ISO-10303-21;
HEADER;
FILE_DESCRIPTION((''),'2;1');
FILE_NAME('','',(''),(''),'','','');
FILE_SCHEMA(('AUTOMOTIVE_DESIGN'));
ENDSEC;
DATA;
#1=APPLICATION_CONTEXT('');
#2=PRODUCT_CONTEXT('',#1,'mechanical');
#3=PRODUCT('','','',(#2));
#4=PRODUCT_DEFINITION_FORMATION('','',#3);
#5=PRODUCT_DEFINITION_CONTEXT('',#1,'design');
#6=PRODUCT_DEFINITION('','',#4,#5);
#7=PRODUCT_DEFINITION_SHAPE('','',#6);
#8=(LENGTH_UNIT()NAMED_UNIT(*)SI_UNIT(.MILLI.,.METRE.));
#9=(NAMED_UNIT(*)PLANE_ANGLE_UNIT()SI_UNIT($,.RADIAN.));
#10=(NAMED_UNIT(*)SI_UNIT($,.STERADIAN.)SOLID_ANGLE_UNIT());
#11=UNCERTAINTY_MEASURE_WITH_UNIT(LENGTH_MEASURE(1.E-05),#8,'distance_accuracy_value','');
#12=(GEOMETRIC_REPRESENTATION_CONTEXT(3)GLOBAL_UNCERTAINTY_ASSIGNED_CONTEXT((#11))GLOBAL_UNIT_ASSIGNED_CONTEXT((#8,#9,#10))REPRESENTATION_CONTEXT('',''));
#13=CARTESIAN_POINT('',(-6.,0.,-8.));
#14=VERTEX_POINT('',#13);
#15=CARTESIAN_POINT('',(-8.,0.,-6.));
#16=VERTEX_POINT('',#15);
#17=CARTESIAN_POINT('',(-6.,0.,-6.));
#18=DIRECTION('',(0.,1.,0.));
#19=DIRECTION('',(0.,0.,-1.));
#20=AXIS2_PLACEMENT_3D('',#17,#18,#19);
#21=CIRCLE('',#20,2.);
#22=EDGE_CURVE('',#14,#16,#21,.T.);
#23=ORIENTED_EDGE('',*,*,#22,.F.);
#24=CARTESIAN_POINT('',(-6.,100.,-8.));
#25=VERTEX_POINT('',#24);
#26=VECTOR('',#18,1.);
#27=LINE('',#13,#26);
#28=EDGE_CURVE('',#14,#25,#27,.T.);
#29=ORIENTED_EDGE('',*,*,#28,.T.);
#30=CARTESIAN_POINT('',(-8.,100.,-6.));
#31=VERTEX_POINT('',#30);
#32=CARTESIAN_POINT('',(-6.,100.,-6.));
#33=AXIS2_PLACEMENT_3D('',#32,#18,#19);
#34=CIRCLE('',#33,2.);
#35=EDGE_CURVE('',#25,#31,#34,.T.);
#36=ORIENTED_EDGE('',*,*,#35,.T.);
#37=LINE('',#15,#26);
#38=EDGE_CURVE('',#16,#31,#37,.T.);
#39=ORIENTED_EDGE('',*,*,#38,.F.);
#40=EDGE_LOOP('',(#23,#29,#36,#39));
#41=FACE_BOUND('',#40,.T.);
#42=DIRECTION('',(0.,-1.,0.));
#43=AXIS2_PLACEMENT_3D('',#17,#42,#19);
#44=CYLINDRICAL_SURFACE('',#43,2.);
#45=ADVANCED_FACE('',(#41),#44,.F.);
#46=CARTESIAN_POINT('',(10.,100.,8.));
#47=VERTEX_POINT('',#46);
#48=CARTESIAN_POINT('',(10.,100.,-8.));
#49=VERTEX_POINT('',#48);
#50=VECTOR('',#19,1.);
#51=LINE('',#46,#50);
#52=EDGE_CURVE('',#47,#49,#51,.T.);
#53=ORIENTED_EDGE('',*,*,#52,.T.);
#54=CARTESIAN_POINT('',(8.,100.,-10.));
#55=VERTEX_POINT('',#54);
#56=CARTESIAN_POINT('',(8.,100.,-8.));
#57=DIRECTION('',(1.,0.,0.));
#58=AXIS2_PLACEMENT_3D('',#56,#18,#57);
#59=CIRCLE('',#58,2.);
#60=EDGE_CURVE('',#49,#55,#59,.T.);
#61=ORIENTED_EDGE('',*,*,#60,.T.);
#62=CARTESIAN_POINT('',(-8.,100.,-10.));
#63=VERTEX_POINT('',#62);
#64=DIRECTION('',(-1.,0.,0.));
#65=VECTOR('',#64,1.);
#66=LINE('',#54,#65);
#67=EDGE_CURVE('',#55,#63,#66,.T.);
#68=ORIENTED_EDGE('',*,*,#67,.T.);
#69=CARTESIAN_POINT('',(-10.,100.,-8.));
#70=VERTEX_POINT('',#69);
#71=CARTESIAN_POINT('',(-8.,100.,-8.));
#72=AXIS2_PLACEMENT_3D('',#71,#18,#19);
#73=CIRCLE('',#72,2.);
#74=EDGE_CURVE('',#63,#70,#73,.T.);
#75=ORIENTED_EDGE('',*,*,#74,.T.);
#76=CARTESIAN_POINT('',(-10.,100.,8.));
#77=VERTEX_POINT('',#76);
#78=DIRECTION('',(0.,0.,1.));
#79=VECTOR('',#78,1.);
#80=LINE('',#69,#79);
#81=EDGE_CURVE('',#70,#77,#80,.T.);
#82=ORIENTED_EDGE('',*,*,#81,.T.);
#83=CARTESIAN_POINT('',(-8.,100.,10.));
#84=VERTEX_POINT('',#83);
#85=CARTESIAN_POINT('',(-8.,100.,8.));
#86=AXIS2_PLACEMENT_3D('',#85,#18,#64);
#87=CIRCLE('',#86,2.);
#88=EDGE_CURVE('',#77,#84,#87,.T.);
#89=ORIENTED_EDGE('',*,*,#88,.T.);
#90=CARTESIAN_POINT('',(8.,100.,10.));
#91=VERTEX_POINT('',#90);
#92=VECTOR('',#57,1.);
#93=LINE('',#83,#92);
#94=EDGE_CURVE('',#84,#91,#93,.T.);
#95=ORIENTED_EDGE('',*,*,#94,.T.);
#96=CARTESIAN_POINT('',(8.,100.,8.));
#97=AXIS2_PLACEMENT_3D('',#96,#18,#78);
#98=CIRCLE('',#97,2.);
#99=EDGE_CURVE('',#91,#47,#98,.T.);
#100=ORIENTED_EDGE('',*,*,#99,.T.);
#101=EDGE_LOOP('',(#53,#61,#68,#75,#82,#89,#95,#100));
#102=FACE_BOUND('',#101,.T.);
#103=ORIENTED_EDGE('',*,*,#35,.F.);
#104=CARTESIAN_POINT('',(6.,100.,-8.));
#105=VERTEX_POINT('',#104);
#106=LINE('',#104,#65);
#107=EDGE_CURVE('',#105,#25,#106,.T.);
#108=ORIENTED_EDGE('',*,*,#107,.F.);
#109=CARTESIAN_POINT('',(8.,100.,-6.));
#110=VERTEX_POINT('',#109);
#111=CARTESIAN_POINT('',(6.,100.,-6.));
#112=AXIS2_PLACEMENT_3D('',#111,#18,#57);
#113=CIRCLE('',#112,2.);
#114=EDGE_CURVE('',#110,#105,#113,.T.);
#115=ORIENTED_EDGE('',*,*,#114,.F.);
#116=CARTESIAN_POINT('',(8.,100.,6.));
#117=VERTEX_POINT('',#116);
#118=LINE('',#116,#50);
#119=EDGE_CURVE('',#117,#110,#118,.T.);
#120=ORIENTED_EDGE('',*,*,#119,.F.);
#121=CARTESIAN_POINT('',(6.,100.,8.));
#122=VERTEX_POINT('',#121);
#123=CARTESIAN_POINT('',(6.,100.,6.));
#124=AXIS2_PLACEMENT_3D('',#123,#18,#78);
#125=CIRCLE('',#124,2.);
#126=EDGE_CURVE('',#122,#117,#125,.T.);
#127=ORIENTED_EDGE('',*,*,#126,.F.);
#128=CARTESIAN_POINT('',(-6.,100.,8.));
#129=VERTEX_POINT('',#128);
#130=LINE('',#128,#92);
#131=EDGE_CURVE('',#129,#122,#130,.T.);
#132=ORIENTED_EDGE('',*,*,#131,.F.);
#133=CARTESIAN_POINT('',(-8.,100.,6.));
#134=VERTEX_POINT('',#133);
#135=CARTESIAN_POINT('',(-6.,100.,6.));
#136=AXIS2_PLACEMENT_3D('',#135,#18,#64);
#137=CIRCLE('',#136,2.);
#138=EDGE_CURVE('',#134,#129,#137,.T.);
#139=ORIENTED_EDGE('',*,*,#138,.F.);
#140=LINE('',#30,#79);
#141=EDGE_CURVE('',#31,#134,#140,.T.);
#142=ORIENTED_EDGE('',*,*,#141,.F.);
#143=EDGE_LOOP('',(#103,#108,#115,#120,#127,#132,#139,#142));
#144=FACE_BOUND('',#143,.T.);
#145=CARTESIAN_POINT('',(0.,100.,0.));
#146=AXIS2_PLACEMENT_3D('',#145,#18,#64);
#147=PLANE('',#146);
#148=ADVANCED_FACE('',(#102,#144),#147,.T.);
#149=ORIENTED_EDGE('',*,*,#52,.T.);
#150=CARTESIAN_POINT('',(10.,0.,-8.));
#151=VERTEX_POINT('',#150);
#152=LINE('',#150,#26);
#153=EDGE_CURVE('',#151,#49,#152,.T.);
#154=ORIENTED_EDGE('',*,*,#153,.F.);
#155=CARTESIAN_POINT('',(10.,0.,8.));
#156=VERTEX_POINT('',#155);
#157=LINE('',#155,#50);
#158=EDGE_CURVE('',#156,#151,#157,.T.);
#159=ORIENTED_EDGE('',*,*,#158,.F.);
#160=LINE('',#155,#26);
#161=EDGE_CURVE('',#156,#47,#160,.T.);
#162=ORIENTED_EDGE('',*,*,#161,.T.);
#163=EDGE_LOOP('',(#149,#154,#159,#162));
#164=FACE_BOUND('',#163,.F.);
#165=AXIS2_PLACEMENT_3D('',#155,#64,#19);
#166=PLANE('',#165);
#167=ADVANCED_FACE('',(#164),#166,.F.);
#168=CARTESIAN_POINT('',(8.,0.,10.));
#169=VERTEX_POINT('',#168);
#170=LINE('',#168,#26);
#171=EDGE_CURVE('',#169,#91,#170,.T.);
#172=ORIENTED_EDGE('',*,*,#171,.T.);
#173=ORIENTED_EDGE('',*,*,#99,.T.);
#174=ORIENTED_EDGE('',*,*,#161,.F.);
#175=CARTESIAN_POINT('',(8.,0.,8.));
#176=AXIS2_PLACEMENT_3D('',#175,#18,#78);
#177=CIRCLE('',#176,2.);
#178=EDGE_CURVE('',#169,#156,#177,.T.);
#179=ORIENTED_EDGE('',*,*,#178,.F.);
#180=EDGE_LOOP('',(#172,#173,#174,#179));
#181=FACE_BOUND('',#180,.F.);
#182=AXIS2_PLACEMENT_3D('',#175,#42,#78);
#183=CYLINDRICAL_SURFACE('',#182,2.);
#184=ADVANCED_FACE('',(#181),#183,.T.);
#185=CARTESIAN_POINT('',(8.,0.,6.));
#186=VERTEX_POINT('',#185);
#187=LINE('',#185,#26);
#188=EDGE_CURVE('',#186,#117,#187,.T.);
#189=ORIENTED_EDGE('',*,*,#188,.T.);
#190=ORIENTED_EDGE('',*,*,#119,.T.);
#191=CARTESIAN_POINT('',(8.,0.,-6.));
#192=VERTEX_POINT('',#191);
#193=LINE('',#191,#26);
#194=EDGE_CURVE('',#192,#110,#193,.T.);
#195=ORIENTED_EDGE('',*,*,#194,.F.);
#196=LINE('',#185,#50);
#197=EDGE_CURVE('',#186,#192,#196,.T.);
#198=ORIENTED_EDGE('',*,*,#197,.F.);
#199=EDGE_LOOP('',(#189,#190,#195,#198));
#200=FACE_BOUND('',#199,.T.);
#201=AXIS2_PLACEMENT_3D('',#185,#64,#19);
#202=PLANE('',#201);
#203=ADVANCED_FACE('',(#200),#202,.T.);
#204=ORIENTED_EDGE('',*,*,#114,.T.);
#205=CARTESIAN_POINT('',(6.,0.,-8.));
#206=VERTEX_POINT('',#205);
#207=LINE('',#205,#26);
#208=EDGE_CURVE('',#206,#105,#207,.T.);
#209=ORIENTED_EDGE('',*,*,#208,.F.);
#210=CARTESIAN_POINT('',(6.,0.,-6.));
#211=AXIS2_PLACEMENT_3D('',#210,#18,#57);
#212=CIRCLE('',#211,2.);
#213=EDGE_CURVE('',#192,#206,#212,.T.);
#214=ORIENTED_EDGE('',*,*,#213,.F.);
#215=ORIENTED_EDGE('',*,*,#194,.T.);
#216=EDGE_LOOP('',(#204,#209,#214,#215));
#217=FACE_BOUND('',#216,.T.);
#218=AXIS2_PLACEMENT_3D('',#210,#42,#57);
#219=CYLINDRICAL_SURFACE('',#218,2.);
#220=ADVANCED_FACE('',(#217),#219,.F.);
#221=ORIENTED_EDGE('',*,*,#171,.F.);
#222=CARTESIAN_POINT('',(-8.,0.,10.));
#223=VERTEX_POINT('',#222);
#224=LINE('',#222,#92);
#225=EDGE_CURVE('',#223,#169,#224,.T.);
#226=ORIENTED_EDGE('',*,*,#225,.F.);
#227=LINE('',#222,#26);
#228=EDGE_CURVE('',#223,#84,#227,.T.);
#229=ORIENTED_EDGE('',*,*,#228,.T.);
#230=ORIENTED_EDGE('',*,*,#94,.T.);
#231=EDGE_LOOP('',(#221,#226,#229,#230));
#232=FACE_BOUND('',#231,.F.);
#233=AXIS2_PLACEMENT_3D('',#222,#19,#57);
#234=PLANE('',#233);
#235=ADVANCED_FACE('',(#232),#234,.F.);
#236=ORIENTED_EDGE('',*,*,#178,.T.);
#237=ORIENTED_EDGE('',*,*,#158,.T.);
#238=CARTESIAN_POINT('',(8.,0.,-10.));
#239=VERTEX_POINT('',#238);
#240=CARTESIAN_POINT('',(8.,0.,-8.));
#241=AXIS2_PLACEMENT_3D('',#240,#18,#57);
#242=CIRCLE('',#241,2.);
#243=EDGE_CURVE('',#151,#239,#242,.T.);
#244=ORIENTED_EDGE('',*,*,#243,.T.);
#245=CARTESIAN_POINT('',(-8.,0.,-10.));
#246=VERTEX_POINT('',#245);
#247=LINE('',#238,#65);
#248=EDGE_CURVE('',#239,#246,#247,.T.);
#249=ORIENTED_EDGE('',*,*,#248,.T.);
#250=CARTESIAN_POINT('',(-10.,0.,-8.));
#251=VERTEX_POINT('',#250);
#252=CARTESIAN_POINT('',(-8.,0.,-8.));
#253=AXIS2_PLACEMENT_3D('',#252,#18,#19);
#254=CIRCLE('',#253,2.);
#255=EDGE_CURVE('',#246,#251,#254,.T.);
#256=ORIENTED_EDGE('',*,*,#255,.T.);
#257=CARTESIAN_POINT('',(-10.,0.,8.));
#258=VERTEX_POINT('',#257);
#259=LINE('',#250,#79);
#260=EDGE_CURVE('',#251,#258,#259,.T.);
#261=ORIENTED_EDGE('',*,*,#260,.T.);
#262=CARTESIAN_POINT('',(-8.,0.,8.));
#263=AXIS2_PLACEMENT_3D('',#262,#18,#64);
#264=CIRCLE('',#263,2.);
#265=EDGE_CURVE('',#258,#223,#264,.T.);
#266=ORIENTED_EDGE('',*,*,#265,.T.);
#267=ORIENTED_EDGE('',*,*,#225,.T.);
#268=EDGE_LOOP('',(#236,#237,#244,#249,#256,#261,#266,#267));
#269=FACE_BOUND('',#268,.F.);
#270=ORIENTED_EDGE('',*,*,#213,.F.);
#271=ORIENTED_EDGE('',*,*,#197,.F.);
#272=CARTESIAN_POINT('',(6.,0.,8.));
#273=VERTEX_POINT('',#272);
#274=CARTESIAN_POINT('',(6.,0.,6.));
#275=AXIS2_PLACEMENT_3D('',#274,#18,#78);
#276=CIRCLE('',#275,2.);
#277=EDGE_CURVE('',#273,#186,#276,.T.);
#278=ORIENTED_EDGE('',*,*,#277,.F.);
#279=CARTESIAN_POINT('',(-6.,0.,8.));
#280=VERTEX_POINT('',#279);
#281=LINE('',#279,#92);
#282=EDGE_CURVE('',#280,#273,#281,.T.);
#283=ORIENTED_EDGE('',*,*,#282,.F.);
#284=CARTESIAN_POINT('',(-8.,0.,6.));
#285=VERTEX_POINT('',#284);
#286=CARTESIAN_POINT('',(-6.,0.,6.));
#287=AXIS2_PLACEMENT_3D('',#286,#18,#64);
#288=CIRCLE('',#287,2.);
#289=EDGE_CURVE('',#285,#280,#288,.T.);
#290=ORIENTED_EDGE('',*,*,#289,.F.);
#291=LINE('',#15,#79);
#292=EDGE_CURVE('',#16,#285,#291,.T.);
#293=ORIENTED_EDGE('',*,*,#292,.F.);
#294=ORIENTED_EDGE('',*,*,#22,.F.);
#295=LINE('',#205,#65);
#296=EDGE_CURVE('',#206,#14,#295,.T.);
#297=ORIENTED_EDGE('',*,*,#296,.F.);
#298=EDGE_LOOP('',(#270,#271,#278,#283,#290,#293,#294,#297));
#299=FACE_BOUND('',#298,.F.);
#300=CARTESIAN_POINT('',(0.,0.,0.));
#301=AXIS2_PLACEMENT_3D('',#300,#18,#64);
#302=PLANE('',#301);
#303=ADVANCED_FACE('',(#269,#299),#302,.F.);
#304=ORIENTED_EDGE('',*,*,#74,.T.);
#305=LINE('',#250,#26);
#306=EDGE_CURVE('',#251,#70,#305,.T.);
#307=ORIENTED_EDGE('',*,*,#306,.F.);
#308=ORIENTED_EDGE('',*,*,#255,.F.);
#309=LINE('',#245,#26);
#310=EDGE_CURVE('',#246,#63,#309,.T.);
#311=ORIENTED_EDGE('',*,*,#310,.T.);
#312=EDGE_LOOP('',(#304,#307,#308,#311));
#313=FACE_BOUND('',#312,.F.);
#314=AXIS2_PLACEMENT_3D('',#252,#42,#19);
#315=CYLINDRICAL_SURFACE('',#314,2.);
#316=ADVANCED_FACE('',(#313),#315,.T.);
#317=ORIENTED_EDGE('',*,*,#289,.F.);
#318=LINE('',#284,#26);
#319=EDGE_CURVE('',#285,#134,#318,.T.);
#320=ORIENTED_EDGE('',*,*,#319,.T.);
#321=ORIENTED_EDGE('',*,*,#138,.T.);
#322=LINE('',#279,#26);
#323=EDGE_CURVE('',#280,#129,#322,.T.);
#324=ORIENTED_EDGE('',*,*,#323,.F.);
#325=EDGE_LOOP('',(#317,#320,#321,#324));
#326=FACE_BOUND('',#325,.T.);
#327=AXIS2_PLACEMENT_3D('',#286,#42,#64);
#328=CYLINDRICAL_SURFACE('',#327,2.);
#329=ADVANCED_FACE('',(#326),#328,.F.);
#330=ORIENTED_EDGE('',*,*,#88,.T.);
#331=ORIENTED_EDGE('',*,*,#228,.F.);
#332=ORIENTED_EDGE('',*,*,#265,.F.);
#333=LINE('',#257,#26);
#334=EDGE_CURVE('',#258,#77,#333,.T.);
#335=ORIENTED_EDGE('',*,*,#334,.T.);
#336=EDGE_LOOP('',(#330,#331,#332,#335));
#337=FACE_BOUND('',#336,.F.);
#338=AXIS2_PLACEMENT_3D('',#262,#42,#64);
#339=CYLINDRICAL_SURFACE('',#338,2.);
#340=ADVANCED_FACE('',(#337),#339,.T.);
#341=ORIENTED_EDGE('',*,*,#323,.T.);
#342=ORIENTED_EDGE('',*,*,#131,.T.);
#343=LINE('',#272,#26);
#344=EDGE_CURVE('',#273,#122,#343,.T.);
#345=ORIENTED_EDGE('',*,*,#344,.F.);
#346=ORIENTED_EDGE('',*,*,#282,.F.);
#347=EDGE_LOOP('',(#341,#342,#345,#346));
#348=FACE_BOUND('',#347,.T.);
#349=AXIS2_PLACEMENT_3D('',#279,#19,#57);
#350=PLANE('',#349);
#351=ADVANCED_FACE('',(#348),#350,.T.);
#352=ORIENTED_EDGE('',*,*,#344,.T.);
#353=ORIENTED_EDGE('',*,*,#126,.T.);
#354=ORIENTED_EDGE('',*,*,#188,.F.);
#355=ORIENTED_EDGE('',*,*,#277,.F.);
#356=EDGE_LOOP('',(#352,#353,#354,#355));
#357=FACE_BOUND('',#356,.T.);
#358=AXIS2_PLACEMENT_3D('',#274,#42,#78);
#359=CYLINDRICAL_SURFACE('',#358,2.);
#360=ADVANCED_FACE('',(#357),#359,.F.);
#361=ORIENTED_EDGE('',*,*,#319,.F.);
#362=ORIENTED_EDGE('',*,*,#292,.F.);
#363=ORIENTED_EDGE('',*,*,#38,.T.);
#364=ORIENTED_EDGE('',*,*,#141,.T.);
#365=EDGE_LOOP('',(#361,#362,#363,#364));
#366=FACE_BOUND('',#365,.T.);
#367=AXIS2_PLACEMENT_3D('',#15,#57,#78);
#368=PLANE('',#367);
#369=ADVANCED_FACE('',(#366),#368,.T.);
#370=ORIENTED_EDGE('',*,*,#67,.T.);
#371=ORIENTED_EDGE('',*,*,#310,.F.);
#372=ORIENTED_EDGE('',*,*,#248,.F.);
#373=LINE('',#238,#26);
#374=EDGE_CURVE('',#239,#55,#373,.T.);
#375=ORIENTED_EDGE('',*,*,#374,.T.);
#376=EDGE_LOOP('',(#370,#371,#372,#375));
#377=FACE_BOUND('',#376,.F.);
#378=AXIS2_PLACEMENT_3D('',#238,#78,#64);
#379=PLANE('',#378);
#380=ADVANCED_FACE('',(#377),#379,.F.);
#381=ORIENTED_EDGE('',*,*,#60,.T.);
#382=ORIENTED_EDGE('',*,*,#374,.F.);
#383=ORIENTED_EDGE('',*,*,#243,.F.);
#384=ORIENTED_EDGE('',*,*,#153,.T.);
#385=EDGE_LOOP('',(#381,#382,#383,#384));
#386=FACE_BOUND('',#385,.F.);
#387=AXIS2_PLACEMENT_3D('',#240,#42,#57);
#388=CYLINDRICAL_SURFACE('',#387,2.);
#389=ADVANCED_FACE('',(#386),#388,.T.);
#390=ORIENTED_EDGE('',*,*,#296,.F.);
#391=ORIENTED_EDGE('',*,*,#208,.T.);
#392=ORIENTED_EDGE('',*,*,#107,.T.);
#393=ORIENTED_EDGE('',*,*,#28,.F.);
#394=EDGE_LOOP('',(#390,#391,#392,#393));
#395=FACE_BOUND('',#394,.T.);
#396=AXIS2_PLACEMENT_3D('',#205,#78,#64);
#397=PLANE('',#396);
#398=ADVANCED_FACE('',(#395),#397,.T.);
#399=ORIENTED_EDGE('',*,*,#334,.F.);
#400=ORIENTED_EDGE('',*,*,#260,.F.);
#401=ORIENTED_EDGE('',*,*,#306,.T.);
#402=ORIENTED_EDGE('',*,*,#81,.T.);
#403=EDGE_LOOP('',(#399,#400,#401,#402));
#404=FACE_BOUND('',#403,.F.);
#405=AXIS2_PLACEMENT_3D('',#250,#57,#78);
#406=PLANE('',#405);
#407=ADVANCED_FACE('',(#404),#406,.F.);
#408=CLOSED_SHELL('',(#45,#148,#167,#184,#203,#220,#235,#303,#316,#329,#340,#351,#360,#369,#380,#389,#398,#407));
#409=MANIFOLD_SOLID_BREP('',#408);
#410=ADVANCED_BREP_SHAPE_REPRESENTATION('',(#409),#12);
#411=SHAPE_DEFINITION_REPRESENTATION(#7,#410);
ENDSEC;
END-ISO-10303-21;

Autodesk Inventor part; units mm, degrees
ref_plane "YZ Plane" through (0, 0, 0) normal (1, 0, 0) x (0, 1, 0)
ref_plane "XZ Plane" through (0, 0, 0) normal (0, 1, 0) x (-1, 0, 0)
ref_plane "XY Plane" through (0, 0, 0) normal (0, 0, 1) x (1, 0, 0)
sketch "Sketch1" plane through (0, 0, 0) normal (0, 1, 0) x (-1, 0, 0)
  line L0 (-8, -10) -> (8, -10)
  line L1 (10, -8) -> (10, 8)
  line L2 (8, 10) -> (-8, 10)
  line L3 (-10, 8) -> (-10, -8)
  line L4 (-10, -10) -> (10, 10) construction
  line L5 (10, -10) -> (-10, 10) construction
  line L6 (-6, -8) -> (6, -8)
  line L7 (8, -6) -> (8, 6)
  line L8 (6, 8) -> (-6, 8)
  line L9 (-8, 6) -> (-8, -6)
  line L10 (-8, -8) -> (8, 8) construction
  line L11 (8, -8) -> (-8, 8) construction
  arc A0 (10, 8) -> (8, 10) centre (8, 8) ccw
  arc A1 (8, 6) -> (6, 8) centre (6, 6) ccw
  arc A2 (8, -10) -> (10, -8) centre (8, -8) ccw
  arc A3 (6, -8) -> (8, -6) centre (6, -6) ccw
  arc A4 (-10, -8) -> (-8, -10) centre (-8, -8) ccw
  arc A5 (-8, -6) -> (-6, -8) centre (-6, -6) ccw
  arc A6 (-6, 8) -> (-8, 6) centre (-6, 6) ccw
  arc A7 (-8, 10) -> (-10, 8) centre (-8, 8) ccw
  point P0 (0, 0)
  dimension "width" = 20
  dimension "depth" = 20
  dimension "thickness" = 2
  dimension "d3" = 2
extrude "Extrusion1" add sketch "Sketch1" along normal blind 100
equation "\"d3\" = thickness"
properties part number "beam 20x20x2" material "Steel"
